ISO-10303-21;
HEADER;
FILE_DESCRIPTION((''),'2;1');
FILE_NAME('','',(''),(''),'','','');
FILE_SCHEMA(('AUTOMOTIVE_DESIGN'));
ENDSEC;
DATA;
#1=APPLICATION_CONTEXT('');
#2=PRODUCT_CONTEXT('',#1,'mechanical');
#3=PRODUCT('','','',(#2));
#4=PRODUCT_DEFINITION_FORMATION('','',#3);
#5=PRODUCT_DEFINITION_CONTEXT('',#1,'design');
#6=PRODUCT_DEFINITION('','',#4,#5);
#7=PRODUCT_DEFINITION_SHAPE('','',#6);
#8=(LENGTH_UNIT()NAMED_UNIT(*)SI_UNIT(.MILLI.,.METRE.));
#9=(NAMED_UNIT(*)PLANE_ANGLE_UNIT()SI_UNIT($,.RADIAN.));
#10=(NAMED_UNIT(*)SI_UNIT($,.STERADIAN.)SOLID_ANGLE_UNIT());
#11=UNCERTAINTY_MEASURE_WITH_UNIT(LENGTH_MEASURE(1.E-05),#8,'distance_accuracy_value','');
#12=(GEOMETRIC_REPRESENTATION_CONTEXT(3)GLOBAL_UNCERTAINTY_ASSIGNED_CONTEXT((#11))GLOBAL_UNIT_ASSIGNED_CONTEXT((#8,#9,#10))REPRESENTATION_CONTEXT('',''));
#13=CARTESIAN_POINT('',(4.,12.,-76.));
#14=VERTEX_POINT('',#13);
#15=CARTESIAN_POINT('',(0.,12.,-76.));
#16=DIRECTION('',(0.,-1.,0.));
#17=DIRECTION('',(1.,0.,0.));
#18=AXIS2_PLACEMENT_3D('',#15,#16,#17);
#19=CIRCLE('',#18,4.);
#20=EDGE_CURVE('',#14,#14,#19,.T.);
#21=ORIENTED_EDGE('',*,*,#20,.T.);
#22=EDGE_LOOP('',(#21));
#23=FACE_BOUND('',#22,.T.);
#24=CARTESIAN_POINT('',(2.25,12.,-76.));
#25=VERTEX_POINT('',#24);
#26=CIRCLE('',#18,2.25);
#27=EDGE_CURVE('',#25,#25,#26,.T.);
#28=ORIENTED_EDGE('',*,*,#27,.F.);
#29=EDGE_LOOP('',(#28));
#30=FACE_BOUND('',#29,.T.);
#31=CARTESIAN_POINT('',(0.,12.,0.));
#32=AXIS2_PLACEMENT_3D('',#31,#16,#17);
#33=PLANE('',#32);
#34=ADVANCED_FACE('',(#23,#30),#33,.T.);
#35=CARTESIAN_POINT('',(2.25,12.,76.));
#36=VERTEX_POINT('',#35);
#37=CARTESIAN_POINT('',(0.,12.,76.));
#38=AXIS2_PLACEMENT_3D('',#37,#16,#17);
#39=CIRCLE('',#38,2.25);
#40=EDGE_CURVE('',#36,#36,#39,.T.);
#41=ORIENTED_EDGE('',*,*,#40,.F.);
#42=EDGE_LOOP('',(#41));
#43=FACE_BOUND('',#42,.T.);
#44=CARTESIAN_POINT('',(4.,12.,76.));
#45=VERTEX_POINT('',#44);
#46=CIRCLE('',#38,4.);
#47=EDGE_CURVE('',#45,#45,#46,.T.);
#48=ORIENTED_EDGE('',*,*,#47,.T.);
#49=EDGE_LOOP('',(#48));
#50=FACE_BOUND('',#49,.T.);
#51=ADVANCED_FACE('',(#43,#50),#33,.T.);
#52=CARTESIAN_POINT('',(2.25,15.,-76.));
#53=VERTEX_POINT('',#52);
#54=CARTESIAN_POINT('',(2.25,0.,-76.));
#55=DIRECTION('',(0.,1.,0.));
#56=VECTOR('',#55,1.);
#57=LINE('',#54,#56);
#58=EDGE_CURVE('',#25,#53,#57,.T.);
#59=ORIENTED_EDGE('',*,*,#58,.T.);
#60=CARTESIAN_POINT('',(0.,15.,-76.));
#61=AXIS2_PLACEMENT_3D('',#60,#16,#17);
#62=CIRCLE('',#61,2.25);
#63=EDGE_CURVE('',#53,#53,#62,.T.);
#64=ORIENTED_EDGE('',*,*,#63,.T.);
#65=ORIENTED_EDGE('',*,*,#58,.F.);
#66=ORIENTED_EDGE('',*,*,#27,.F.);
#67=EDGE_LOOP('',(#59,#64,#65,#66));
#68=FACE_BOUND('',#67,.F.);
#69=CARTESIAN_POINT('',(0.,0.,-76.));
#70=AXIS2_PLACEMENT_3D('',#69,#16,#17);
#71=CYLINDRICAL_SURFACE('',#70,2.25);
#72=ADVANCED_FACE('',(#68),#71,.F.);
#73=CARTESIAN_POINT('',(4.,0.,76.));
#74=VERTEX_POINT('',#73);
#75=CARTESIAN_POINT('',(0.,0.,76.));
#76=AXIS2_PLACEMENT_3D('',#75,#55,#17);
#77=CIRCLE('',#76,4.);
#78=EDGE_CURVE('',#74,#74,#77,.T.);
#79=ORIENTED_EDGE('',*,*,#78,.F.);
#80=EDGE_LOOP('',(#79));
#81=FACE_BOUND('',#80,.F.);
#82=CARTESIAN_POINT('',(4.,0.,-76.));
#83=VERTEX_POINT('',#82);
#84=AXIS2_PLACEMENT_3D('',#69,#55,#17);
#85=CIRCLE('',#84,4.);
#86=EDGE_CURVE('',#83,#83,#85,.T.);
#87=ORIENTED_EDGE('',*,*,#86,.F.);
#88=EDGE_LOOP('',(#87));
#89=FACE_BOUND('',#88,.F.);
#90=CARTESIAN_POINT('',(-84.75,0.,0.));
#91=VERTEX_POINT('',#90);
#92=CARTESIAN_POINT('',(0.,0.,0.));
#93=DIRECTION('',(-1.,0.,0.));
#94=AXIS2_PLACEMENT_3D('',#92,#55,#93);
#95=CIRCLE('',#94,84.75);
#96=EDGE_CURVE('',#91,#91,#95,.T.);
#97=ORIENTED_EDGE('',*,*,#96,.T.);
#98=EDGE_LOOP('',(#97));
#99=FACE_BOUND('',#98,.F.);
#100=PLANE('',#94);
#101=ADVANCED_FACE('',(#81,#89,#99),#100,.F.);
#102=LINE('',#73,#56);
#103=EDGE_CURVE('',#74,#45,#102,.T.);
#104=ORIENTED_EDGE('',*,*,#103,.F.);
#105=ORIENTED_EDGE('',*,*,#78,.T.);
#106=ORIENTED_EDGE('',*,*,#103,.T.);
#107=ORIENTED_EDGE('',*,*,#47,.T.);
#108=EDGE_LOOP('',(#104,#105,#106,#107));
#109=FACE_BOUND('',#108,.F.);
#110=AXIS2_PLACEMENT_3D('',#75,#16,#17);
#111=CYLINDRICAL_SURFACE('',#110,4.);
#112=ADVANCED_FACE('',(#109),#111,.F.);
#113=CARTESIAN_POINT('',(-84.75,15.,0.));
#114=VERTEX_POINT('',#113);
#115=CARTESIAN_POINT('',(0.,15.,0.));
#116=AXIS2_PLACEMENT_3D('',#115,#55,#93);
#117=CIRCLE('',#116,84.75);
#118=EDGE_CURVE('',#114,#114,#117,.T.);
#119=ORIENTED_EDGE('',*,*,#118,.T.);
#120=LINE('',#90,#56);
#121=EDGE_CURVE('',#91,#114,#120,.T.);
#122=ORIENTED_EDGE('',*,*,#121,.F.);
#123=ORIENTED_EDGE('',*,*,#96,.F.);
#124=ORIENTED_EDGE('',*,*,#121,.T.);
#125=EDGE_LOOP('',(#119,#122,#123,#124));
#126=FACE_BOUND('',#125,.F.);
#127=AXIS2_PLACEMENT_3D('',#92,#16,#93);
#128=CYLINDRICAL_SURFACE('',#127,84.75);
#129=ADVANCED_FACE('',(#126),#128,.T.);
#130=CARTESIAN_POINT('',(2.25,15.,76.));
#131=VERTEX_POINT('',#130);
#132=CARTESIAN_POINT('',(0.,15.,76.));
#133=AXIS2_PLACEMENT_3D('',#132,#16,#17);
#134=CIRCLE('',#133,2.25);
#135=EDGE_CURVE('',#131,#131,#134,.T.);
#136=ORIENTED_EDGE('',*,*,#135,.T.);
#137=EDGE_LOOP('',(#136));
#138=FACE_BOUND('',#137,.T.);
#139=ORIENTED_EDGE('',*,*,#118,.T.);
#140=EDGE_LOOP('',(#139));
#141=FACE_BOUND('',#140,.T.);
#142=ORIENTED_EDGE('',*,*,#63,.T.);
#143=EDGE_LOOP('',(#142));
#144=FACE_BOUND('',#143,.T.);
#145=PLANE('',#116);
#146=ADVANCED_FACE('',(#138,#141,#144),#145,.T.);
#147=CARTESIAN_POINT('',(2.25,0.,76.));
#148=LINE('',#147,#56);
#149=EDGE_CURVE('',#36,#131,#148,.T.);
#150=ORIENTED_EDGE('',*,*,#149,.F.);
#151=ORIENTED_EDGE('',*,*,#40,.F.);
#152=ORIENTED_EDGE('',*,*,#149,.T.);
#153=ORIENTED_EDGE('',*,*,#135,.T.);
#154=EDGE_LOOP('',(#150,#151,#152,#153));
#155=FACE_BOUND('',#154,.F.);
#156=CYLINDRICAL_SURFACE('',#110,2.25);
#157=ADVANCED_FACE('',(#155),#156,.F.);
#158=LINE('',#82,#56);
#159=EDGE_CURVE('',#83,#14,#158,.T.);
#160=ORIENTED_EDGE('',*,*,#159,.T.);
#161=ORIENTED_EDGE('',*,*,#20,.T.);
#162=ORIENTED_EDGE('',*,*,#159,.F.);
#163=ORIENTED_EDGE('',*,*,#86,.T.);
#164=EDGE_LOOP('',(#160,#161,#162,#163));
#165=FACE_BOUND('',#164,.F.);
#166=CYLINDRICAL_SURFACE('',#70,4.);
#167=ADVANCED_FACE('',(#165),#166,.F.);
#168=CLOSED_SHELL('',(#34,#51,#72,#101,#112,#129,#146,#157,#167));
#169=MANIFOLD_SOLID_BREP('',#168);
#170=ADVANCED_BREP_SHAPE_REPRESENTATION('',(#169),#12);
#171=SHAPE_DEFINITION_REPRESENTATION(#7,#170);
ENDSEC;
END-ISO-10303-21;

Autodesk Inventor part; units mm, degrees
ref_plane "YZ Plane" through (0, 0, 0) normal (1, 0, 0) x (0, 1, 0)
ref_plane "XZ Plane" through (0, 0, 0) normal (0, 1, 0) x (-1, 0, 0)
ref_plane "XY Plane" through (0, 0, 0) normal (0, 0, 1) x (1, 0, 0)
sketch "Sketch1" plane through (0, 0, 0) normal (0, 1, 0) x (-1, 0, 0)
  circle A0 centre (0, 0) radius 84.75
  dimension "d0" = 169.5
extrude "Extrusion1" add sketch "Sketch1" along normal blind 15
sketch "Sketch2" plane through (0, 0, 0) normal (0, -1, 0) x (1, 0, 0)
  circle A0 centre (0, 0) radius 76
  circle A1 centre (0, 76) radius 4
  circle A2 centre (0, -76) radius 4
  circle A3 centre (0, 76) radius 2.25
  circle A4 centre (0, -76) radius 2.25
  dimension "d3" = 152
  dimension "d4" = 8
  dimension "d5" = 8
  dimension "d6" = 4.5
  dimension "d7" = 4.5
extrude "Extrusion2" cut sketch "Sketch2" against normal through all contours A3 A0 | A0 A3 | A4 A0 | A0 A4
extrude "Extrusion3" cut sketch "Sketch2" against normal blind 12 contours A1 A0 A3 | A0 A3 A1 | A2 A0 A4 | A0 A4 A2 | A3 A0 | A0 A3 | A4 A0 | A0 A4
properties part number "substrate plate"
